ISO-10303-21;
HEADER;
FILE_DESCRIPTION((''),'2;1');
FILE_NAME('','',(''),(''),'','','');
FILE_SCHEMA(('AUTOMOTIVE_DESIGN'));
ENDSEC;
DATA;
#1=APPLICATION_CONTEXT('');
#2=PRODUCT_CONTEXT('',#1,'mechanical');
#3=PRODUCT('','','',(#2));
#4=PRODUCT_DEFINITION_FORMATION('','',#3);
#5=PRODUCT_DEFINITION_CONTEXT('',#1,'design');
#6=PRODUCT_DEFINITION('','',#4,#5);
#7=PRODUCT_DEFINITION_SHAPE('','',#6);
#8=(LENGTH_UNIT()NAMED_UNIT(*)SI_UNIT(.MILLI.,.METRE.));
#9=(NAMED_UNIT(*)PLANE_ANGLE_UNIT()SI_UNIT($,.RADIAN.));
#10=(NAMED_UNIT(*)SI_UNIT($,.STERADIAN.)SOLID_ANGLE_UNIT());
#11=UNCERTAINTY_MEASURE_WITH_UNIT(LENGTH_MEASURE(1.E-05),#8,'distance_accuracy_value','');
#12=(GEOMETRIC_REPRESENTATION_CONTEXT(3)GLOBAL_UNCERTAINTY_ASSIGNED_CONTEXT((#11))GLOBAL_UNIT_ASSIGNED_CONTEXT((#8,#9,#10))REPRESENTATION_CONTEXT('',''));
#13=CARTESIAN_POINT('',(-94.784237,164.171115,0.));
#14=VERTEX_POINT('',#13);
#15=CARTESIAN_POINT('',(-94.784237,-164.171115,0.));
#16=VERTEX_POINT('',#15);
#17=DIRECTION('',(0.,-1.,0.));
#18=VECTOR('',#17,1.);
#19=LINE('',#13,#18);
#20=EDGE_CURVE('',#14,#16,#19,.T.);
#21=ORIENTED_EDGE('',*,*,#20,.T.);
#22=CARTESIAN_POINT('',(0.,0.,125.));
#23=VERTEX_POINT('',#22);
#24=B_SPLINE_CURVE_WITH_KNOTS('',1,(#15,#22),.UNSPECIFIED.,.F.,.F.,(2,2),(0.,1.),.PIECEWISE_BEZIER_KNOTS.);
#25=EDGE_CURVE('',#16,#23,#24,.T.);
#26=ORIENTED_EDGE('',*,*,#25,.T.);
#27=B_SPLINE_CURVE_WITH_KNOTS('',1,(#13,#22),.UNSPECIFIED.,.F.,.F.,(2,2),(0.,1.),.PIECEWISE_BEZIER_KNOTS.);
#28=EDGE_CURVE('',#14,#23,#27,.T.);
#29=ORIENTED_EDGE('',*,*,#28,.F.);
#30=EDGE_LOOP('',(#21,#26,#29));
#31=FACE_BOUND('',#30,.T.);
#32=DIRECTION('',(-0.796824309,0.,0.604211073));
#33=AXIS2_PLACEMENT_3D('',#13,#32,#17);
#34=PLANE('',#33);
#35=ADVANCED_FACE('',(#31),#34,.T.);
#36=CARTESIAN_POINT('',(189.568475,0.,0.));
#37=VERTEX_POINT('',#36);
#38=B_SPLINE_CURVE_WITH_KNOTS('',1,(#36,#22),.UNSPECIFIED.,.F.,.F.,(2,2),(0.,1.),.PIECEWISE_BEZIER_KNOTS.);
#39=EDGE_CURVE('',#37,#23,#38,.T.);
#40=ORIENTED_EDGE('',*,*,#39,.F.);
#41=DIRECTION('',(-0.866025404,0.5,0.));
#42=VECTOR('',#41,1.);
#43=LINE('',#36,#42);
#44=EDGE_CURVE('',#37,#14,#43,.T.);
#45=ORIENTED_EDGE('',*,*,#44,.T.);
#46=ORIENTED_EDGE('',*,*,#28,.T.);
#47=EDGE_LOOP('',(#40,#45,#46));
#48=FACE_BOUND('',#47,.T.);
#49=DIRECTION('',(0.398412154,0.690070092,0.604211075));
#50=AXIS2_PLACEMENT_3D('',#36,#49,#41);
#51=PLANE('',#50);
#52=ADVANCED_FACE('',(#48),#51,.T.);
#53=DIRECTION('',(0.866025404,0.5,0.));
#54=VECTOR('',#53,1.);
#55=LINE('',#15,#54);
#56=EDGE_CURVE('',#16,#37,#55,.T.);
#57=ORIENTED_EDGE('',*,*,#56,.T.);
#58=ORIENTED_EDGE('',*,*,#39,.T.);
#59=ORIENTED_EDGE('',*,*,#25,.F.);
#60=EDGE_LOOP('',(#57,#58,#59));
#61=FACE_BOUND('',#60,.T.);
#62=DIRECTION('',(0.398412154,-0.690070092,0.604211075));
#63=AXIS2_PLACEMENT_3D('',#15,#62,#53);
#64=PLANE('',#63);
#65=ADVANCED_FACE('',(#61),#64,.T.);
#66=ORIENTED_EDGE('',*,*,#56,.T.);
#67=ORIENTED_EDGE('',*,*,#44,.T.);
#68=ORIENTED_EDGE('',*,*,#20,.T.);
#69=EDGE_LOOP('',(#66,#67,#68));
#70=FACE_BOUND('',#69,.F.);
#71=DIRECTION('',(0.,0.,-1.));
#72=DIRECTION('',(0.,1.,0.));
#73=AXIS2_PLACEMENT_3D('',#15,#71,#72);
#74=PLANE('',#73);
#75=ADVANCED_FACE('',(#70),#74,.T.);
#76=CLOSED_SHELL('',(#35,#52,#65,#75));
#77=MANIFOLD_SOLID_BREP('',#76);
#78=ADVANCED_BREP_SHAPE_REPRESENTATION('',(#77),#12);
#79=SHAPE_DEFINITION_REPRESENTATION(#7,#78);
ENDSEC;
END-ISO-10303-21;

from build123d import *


with BuildPart() as f3:
    # F0 (on Top) → F3 section 0
    with BuildSketch(Plane.XY, mode=Mode.PRIVATE) as f3_s0:
        Polygon((-94.784237, -164.171115), (189.568475, 0), (-94.784237, 164.171115), align=None)
    loft([f3_s0.sketch, Vertex(0, 0, 125)])


solid = f3.part
